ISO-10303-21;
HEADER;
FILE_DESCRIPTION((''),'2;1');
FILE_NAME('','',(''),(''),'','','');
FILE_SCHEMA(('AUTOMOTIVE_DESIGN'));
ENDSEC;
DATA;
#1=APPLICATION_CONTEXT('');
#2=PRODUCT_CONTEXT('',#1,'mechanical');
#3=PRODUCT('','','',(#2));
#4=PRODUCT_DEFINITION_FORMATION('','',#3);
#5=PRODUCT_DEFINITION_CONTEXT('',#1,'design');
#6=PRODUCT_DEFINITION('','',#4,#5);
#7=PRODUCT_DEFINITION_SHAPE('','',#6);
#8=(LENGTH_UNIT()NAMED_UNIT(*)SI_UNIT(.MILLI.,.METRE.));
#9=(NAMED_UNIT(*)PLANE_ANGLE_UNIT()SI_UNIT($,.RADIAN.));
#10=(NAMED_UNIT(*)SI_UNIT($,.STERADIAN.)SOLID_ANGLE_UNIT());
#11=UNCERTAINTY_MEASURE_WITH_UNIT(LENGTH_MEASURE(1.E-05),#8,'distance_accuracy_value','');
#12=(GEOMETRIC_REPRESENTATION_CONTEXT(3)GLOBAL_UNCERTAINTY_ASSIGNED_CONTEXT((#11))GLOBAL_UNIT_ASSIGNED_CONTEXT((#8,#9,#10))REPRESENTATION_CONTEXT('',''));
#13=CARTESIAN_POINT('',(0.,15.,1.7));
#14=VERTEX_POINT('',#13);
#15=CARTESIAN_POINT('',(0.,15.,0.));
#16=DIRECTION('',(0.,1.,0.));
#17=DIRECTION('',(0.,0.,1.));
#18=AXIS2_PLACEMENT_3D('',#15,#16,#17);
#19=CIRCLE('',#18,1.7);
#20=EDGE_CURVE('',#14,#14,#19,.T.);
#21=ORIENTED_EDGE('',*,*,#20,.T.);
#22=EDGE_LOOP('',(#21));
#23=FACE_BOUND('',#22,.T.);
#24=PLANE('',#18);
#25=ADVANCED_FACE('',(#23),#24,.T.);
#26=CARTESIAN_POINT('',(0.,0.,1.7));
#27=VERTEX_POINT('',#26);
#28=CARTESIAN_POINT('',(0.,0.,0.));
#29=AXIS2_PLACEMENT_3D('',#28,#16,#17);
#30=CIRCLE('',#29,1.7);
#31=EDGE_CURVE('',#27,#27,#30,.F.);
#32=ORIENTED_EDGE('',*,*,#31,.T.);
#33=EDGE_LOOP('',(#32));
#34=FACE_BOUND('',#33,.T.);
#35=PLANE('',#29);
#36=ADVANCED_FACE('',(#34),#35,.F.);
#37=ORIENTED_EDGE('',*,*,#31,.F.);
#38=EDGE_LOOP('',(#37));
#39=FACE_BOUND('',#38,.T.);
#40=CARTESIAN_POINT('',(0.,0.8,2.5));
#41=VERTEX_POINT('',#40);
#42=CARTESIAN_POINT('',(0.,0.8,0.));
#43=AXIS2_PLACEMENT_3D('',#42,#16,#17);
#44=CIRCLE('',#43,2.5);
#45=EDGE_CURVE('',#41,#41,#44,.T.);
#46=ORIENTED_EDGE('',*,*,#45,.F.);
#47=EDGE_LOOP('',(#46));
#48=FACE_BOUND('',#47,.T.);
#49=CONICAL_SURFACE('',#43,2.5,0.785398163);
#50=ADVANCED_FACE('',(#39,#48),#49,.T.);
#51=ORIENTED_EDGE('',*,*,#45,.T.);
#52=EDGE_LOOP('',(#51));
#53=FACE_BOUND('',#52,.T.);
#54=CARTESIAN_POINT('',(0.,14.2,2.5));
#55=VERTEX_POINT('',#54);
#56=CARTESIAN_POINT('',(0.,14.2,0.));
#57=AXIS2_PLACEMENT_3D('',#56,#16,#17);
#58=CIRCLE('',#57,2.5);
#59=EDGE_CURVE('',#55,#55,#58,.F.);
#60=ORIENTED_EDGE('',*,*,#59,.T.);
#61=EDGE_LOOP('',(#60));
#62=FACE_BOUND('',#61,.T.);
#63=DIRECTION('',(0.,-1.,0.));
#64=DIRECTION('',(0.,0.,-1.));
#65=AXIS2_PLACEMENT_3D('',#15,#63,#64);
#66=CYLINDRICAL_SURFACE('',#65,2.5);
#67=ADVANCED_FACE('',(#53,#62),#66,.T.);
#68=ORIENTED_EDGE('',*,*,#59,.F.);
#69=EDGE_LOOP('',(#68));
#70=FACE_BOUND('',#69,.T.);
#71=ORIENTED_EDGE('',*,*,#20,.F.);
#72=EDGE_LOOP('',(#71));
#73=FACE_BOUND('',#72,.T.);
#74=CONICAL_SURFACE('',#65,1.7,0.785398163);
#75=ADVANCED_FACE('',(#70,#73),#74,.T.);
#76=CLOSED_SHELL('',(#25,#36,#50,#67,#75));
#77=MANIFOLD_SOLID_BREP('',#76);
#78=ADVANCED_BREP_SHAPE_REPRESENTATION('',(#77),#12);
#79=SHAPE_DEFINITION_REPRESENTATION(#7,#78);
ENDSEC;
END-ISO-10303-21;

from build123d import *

# Parameters (mm, degrees)
SKETCH1_R           = 2.5
BOSS_EXTRUDE1_DEPTH = 15
CHAMFER1_SIZE       = 0.8


with BuildPart() as part:
    # Sketch1 → Boss-Extrude1 (new body)
    with BuildSketch(Plane(origin=(0, 0, 0), x_dir=(1, 0, 0), z_dir=(0, 1, 0))):
        with Locations(Location((0, 0, 0), (0, 0, 270))):
            Circle(SKETCH1_R)
    extrude(amount=BOSS_EXTRUDE1_DEPTH)

    # Chamfer1
    chamfer1_edges = [part.edges().sort_by_distance(p)[0] for p in [
        (0, 0, -2.5),
        (0, 15, -2.5),
    ]]
    chamfer(chamfer1_edges, length=CHAMFER1_SIZE)


solid = part.part
